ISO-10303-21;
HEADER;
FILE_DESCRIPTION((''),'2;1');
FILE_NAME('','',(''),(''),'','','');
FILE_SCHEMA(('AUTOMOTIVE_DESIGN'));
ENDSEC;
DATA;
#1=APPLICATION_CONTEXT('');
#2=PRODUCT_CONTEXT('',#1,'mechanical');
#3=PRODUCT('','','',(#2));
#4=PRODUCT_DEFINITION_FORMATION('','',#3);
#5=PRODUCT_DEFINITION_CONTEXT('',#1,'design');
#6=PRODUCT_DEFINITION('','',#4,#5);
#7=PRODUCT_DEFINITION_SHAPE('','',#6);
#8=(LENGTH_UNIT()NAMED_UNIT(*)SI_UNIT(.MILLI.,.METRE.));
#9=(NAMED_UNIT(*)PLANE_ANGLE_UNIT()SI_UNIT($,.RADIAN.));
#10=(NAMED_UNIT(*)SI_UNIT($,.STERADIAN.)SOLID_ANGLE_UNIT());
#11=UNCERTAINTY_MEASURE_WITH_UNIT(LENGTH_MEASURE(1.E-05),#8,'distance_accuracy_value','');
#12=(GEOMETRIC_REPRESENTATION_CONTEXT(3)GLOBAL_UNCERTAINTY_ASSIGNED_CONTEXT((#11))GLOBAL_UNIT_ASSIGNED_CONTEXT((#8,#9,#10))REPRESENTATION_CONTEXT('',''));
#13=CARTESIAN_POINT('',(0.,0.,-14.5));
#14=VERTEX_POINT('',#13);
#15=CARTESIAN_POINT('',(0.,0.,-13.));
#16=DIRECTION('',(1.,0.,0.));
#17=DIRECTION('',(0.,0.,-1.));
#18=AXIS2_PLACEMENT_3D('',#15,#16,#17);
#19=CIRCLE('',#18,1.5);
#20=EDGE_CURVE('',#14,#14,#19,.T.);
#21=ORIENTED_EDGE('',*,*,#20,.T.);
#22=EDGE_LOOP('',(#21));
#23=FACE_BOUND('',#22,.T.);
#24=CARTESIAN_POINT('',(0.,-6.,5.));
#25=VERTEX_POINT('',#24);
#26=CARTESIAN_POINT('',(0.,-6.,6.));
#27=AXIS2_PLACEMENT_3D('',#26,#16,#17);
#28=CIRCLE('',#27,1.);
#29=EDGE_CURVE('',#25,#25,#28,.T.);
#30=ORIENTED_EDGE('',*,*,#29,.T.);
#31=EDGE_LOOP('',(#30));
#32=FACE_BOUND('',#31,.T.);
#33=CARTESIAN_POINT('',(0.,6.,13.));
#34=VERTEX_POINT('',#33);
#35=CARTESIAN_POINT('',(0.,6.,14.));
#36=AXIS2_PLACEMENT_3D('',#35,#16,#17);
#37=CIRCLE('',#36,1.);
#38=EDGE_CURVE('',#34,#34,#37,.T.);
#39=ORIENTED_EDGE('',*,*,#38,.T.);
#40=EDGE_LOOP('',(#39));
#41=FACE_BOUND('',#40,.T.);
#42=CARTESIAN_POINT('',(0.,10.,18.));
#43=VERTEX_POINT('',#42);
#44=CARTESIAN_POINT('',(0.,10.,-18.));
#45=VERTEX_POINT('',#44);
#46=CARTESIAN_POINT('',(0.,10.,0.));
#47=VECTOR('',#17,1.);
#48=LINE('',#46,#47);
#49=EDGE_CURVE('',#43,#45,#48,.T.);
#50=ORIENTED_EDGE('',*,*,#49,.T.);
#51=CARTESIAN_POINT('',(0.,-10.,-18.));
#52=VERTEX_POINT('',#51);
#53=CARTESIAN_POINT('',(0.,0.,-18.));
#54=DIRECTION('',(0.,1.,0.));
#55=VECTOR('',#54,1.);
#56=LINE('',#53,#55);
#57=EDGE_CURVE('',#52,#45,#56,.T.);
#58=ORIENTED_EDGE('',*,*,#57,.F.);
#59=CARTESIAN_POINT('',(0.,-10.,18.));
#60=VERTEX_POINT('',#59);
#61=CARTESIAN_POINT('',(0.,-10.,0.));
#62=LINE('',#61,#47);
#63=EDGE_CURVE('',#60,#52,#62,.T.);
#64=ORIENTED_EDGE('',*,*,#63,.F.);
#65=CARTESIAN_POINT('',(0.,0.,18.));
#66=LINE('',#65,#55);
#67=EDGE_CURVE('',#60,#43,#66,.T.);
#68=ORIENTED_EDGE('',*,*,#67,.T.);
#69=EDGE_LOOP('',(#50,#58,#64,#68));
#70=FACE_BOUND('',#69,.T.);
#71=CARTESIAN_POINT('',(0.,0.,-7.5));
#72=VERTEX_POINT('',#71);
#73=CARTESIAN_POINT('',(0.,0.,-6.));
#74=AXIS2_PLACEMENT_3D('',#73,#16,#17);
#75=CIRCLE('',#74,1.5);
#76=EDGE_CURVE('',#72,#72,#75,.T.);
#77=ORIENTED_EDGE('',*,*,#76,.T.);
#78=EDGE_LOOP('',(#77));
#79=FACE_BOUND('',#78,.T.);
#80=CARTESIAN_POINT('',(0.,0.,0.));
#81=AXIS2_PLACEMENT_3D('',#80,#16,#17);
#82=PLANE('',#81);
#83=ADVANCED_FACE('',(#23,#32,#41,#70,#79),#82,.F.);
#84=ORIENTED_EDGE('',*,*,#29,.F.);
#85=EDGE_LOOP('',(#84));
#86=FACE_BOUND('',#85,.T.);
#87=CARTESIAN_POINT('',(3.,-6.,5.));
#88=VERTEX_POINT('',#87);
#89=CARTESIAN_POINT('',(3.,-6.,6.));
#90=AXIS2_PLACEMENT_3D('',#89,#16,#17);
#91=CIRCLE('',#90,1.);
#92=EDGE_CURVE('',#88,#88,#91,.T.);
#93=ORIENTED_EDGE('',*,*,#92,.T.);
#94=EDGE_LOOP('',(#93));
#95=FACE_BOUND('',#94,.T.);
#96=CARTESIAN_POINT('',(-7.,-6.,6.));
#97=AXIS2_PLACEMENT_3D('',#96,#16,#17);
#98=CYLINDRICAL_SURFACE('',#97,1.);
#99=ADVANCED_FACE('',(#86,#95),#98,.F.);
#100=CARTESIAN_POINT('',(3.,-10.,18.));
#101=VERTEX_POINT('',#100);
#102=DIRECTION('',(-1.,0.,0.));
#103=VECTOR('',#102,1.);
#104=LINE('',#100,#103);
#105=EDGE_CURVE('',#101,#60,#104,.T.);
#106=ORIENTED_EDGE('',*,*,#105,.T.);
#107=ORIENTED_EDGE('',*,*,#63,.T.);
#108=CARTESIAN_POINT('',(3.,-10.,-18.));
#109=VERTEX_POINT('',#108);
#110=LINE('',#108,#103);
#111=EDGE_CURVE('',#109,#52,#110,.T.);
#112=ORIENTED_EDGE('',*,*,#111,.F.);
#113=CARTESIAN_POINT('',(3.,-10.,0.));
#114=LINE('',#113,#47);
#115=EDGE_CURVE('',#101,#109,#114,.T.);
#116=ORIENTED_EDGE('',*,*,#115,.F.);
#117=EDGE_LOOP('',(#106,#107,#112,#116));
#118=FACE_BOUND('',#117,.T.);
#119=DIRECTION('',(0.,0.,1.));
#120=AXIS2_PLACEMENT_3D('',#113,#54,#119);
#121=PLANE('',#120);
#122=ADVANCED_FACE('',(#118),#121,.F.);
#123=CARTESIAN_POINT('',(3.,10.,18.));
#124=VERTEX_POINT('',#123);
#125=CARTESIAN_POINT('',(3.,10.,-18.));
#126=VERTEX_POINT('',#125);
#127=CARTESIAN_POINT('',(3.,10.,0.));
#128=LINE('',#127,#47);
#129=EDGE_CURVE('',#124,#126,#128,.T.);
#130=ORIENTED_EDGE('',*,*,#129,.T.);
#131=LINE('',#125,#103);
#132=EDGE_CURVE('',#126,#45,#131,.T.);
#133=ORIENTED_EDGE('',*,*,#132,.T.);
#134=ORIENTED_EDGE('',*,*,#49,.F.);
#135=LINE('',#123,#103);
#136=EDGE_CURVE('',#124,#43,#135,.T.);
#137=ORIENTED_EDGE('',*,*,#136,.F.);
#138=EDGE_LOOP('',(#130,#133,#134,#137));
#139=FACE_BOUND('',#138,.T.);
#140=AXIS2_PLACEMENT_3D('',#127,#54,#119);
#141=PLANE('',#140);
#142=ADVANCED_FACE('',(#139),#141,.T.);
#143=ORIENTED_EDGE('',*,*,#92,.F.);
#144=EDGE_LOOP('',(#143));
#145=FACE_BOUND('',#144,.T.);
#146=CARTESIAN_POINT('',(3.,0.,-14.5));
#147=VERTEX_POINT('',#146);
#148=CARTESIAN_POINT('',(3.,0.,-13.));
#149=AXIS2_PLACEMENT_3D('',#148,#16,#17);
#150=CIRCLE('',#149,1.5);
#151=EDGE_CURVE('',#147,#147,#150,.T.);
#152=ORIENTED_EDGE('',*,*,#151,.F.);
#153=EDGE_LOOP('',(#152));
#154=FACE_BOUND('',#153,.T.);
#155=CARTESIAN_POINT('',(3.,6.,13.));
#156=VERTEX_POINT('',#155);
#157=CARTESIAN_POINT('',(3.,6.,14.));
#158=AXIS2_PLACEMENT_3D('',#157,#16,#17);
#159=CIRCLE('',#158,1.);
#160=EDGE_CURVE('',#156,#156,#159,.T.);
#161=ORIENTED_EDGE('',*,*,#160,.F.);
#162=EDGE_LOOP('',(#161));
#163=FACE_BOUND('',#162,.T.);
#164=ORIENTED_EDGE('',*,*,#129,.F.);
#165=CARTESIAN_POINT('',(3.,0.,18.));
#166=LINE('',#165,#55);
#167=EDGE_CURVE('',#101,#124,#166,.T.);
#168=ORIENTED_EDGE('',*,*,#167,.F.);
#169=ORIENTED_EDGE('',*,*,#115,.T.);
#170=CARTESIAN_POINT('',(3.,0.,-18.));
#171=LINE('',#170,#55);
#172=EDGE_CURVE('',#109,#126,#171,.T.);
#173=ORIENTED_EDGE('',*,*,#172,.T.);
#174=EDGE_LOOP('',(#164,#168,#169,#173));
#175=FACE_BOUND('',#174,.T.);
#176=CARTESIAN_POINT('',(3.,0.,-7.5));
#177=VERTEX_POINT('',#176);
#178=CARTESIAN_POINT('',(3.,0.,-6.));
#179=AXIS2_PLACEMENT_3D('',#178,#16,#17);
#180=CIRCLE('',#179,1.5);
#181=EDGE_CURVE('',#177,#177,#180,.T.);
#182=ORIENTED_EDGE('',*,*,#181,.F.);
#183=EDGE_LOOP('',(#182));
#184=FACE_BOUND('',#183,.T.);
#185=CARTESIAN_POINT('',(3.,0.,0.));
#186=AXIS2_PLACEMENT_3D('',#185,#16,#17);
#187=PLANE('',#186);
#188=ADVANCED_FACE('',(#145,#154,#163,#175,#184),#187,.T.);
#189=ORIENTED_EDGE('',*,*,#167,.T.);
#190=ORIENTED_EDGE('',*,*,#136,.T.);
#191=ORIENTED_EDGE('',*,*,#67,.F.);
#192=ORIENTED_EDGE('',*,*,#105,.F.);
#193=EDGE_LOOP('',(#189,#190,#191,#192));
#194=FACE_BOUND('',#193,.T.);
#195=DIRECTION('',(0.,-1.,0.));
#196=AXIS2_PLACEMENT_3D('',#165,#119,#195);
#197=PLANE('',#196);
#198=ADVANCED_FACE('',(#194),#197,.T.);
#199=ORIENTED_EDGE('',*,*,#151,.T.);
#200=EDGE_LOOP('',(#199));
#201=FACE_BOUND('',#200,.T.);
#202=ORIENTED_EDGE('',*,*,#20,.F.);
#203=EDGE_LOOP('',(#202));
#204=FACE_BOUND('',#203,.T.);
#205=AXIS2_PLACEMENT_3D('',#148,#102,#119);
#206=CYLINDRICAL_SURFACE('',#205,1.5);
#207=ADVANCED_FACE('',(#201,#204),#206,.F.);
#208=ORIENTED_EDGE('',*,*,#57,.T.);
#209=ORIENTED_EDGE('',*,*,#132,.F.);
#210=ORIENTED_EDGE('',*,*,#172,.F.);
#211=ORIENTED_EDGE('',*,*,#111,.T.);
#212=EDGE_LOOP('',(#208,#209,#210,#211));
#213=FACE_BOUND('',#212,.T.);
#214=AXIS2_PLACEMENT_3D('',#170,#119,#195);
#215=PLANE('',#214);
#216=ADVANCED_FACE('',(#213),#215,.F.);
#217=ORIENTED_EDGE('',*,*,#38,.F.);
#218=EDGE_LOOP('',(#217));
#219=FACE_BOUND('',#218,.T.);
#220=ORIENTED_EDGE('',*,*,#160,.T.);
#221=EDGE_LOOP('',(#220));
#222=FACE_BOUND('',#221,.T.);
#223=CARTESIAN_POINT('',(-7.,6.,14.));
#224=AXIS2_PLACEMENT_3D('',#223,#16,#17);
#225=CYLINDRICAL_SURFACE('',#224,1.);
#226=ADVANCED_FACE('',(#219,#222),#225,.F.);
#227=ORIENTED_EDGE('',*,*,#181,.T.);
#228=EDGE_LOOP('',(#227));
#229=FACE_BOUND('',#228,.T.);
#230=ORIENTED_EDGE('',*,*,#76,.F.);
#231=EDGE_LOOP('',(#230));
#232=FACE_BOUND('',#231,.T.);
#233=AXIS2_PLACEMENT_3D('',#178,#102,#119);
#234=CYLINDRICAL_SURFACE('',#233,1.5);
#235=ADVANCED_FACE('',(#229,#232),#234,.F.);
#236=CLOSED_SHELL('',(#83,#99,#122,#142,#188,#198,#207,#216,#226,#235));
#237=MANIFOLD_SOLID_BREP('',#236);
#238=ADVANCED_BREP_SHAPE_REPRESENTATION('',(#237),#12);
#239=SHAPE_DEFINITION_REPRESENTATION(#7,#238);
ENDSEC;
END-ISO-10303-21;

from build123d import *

# Parameters (mm, degrees)
CROQUIS1_W              = 15
CROQUIS1_H              = 20
CROQUIS1_R              = 1.5
SALIENTE_EXTRUIR1_DEPTH = 3
CROQUIS2_R              = 1
CORTAR_EXTRUIR1_DEPTH   = 10


with BuildPart() as part:
    # Croquis1 → Saliente-Extruir1 (new body)
    with BuildSketch(Plane(origin=(0, 0, 0), x_dir=(0, 0, -1), z_dir=(1, 0, 0))):
        with Locations((-10.5, 0)):
            Rectangle(CROQUIS1_W, CROQUIS1_H)
        Polygon((0, 0), (0, -10), (18, -10), (18, 10), (0, 10), align=None)
        with Locations((6, 0)):
            Circle(CROQUIS1_R, mode=Mode.SUBTRACT)
        with Locations((13, 0)):
            Circle(CROQUIS1_R, mode=Mode.SUBTRACT)
        Polygon((-3, 10), (-3, -10), (0, -10), (0, 0), (0, 10), align=None)
    extrude(amount=SALIENTE_EXTRUIR1_DEPTH)

    # Croquis2 → Cortar-Extruir1 (cut)
    with BuildSketch(Plane(origin=(3, 0, 0), x_dir=(0, 0, -1), z_dir=(1, 0, 0))):
        with Locations((-14, 6)):
            Circle(CROQUIS2_R)
        with Locations((-6, -6)):
            Circle(CROQUIS2_R)
    extrude(amount=-CORTAR_EXTRUIR1_DEPTH, mode=Mode.SUBTRACT)


solid = part.part
